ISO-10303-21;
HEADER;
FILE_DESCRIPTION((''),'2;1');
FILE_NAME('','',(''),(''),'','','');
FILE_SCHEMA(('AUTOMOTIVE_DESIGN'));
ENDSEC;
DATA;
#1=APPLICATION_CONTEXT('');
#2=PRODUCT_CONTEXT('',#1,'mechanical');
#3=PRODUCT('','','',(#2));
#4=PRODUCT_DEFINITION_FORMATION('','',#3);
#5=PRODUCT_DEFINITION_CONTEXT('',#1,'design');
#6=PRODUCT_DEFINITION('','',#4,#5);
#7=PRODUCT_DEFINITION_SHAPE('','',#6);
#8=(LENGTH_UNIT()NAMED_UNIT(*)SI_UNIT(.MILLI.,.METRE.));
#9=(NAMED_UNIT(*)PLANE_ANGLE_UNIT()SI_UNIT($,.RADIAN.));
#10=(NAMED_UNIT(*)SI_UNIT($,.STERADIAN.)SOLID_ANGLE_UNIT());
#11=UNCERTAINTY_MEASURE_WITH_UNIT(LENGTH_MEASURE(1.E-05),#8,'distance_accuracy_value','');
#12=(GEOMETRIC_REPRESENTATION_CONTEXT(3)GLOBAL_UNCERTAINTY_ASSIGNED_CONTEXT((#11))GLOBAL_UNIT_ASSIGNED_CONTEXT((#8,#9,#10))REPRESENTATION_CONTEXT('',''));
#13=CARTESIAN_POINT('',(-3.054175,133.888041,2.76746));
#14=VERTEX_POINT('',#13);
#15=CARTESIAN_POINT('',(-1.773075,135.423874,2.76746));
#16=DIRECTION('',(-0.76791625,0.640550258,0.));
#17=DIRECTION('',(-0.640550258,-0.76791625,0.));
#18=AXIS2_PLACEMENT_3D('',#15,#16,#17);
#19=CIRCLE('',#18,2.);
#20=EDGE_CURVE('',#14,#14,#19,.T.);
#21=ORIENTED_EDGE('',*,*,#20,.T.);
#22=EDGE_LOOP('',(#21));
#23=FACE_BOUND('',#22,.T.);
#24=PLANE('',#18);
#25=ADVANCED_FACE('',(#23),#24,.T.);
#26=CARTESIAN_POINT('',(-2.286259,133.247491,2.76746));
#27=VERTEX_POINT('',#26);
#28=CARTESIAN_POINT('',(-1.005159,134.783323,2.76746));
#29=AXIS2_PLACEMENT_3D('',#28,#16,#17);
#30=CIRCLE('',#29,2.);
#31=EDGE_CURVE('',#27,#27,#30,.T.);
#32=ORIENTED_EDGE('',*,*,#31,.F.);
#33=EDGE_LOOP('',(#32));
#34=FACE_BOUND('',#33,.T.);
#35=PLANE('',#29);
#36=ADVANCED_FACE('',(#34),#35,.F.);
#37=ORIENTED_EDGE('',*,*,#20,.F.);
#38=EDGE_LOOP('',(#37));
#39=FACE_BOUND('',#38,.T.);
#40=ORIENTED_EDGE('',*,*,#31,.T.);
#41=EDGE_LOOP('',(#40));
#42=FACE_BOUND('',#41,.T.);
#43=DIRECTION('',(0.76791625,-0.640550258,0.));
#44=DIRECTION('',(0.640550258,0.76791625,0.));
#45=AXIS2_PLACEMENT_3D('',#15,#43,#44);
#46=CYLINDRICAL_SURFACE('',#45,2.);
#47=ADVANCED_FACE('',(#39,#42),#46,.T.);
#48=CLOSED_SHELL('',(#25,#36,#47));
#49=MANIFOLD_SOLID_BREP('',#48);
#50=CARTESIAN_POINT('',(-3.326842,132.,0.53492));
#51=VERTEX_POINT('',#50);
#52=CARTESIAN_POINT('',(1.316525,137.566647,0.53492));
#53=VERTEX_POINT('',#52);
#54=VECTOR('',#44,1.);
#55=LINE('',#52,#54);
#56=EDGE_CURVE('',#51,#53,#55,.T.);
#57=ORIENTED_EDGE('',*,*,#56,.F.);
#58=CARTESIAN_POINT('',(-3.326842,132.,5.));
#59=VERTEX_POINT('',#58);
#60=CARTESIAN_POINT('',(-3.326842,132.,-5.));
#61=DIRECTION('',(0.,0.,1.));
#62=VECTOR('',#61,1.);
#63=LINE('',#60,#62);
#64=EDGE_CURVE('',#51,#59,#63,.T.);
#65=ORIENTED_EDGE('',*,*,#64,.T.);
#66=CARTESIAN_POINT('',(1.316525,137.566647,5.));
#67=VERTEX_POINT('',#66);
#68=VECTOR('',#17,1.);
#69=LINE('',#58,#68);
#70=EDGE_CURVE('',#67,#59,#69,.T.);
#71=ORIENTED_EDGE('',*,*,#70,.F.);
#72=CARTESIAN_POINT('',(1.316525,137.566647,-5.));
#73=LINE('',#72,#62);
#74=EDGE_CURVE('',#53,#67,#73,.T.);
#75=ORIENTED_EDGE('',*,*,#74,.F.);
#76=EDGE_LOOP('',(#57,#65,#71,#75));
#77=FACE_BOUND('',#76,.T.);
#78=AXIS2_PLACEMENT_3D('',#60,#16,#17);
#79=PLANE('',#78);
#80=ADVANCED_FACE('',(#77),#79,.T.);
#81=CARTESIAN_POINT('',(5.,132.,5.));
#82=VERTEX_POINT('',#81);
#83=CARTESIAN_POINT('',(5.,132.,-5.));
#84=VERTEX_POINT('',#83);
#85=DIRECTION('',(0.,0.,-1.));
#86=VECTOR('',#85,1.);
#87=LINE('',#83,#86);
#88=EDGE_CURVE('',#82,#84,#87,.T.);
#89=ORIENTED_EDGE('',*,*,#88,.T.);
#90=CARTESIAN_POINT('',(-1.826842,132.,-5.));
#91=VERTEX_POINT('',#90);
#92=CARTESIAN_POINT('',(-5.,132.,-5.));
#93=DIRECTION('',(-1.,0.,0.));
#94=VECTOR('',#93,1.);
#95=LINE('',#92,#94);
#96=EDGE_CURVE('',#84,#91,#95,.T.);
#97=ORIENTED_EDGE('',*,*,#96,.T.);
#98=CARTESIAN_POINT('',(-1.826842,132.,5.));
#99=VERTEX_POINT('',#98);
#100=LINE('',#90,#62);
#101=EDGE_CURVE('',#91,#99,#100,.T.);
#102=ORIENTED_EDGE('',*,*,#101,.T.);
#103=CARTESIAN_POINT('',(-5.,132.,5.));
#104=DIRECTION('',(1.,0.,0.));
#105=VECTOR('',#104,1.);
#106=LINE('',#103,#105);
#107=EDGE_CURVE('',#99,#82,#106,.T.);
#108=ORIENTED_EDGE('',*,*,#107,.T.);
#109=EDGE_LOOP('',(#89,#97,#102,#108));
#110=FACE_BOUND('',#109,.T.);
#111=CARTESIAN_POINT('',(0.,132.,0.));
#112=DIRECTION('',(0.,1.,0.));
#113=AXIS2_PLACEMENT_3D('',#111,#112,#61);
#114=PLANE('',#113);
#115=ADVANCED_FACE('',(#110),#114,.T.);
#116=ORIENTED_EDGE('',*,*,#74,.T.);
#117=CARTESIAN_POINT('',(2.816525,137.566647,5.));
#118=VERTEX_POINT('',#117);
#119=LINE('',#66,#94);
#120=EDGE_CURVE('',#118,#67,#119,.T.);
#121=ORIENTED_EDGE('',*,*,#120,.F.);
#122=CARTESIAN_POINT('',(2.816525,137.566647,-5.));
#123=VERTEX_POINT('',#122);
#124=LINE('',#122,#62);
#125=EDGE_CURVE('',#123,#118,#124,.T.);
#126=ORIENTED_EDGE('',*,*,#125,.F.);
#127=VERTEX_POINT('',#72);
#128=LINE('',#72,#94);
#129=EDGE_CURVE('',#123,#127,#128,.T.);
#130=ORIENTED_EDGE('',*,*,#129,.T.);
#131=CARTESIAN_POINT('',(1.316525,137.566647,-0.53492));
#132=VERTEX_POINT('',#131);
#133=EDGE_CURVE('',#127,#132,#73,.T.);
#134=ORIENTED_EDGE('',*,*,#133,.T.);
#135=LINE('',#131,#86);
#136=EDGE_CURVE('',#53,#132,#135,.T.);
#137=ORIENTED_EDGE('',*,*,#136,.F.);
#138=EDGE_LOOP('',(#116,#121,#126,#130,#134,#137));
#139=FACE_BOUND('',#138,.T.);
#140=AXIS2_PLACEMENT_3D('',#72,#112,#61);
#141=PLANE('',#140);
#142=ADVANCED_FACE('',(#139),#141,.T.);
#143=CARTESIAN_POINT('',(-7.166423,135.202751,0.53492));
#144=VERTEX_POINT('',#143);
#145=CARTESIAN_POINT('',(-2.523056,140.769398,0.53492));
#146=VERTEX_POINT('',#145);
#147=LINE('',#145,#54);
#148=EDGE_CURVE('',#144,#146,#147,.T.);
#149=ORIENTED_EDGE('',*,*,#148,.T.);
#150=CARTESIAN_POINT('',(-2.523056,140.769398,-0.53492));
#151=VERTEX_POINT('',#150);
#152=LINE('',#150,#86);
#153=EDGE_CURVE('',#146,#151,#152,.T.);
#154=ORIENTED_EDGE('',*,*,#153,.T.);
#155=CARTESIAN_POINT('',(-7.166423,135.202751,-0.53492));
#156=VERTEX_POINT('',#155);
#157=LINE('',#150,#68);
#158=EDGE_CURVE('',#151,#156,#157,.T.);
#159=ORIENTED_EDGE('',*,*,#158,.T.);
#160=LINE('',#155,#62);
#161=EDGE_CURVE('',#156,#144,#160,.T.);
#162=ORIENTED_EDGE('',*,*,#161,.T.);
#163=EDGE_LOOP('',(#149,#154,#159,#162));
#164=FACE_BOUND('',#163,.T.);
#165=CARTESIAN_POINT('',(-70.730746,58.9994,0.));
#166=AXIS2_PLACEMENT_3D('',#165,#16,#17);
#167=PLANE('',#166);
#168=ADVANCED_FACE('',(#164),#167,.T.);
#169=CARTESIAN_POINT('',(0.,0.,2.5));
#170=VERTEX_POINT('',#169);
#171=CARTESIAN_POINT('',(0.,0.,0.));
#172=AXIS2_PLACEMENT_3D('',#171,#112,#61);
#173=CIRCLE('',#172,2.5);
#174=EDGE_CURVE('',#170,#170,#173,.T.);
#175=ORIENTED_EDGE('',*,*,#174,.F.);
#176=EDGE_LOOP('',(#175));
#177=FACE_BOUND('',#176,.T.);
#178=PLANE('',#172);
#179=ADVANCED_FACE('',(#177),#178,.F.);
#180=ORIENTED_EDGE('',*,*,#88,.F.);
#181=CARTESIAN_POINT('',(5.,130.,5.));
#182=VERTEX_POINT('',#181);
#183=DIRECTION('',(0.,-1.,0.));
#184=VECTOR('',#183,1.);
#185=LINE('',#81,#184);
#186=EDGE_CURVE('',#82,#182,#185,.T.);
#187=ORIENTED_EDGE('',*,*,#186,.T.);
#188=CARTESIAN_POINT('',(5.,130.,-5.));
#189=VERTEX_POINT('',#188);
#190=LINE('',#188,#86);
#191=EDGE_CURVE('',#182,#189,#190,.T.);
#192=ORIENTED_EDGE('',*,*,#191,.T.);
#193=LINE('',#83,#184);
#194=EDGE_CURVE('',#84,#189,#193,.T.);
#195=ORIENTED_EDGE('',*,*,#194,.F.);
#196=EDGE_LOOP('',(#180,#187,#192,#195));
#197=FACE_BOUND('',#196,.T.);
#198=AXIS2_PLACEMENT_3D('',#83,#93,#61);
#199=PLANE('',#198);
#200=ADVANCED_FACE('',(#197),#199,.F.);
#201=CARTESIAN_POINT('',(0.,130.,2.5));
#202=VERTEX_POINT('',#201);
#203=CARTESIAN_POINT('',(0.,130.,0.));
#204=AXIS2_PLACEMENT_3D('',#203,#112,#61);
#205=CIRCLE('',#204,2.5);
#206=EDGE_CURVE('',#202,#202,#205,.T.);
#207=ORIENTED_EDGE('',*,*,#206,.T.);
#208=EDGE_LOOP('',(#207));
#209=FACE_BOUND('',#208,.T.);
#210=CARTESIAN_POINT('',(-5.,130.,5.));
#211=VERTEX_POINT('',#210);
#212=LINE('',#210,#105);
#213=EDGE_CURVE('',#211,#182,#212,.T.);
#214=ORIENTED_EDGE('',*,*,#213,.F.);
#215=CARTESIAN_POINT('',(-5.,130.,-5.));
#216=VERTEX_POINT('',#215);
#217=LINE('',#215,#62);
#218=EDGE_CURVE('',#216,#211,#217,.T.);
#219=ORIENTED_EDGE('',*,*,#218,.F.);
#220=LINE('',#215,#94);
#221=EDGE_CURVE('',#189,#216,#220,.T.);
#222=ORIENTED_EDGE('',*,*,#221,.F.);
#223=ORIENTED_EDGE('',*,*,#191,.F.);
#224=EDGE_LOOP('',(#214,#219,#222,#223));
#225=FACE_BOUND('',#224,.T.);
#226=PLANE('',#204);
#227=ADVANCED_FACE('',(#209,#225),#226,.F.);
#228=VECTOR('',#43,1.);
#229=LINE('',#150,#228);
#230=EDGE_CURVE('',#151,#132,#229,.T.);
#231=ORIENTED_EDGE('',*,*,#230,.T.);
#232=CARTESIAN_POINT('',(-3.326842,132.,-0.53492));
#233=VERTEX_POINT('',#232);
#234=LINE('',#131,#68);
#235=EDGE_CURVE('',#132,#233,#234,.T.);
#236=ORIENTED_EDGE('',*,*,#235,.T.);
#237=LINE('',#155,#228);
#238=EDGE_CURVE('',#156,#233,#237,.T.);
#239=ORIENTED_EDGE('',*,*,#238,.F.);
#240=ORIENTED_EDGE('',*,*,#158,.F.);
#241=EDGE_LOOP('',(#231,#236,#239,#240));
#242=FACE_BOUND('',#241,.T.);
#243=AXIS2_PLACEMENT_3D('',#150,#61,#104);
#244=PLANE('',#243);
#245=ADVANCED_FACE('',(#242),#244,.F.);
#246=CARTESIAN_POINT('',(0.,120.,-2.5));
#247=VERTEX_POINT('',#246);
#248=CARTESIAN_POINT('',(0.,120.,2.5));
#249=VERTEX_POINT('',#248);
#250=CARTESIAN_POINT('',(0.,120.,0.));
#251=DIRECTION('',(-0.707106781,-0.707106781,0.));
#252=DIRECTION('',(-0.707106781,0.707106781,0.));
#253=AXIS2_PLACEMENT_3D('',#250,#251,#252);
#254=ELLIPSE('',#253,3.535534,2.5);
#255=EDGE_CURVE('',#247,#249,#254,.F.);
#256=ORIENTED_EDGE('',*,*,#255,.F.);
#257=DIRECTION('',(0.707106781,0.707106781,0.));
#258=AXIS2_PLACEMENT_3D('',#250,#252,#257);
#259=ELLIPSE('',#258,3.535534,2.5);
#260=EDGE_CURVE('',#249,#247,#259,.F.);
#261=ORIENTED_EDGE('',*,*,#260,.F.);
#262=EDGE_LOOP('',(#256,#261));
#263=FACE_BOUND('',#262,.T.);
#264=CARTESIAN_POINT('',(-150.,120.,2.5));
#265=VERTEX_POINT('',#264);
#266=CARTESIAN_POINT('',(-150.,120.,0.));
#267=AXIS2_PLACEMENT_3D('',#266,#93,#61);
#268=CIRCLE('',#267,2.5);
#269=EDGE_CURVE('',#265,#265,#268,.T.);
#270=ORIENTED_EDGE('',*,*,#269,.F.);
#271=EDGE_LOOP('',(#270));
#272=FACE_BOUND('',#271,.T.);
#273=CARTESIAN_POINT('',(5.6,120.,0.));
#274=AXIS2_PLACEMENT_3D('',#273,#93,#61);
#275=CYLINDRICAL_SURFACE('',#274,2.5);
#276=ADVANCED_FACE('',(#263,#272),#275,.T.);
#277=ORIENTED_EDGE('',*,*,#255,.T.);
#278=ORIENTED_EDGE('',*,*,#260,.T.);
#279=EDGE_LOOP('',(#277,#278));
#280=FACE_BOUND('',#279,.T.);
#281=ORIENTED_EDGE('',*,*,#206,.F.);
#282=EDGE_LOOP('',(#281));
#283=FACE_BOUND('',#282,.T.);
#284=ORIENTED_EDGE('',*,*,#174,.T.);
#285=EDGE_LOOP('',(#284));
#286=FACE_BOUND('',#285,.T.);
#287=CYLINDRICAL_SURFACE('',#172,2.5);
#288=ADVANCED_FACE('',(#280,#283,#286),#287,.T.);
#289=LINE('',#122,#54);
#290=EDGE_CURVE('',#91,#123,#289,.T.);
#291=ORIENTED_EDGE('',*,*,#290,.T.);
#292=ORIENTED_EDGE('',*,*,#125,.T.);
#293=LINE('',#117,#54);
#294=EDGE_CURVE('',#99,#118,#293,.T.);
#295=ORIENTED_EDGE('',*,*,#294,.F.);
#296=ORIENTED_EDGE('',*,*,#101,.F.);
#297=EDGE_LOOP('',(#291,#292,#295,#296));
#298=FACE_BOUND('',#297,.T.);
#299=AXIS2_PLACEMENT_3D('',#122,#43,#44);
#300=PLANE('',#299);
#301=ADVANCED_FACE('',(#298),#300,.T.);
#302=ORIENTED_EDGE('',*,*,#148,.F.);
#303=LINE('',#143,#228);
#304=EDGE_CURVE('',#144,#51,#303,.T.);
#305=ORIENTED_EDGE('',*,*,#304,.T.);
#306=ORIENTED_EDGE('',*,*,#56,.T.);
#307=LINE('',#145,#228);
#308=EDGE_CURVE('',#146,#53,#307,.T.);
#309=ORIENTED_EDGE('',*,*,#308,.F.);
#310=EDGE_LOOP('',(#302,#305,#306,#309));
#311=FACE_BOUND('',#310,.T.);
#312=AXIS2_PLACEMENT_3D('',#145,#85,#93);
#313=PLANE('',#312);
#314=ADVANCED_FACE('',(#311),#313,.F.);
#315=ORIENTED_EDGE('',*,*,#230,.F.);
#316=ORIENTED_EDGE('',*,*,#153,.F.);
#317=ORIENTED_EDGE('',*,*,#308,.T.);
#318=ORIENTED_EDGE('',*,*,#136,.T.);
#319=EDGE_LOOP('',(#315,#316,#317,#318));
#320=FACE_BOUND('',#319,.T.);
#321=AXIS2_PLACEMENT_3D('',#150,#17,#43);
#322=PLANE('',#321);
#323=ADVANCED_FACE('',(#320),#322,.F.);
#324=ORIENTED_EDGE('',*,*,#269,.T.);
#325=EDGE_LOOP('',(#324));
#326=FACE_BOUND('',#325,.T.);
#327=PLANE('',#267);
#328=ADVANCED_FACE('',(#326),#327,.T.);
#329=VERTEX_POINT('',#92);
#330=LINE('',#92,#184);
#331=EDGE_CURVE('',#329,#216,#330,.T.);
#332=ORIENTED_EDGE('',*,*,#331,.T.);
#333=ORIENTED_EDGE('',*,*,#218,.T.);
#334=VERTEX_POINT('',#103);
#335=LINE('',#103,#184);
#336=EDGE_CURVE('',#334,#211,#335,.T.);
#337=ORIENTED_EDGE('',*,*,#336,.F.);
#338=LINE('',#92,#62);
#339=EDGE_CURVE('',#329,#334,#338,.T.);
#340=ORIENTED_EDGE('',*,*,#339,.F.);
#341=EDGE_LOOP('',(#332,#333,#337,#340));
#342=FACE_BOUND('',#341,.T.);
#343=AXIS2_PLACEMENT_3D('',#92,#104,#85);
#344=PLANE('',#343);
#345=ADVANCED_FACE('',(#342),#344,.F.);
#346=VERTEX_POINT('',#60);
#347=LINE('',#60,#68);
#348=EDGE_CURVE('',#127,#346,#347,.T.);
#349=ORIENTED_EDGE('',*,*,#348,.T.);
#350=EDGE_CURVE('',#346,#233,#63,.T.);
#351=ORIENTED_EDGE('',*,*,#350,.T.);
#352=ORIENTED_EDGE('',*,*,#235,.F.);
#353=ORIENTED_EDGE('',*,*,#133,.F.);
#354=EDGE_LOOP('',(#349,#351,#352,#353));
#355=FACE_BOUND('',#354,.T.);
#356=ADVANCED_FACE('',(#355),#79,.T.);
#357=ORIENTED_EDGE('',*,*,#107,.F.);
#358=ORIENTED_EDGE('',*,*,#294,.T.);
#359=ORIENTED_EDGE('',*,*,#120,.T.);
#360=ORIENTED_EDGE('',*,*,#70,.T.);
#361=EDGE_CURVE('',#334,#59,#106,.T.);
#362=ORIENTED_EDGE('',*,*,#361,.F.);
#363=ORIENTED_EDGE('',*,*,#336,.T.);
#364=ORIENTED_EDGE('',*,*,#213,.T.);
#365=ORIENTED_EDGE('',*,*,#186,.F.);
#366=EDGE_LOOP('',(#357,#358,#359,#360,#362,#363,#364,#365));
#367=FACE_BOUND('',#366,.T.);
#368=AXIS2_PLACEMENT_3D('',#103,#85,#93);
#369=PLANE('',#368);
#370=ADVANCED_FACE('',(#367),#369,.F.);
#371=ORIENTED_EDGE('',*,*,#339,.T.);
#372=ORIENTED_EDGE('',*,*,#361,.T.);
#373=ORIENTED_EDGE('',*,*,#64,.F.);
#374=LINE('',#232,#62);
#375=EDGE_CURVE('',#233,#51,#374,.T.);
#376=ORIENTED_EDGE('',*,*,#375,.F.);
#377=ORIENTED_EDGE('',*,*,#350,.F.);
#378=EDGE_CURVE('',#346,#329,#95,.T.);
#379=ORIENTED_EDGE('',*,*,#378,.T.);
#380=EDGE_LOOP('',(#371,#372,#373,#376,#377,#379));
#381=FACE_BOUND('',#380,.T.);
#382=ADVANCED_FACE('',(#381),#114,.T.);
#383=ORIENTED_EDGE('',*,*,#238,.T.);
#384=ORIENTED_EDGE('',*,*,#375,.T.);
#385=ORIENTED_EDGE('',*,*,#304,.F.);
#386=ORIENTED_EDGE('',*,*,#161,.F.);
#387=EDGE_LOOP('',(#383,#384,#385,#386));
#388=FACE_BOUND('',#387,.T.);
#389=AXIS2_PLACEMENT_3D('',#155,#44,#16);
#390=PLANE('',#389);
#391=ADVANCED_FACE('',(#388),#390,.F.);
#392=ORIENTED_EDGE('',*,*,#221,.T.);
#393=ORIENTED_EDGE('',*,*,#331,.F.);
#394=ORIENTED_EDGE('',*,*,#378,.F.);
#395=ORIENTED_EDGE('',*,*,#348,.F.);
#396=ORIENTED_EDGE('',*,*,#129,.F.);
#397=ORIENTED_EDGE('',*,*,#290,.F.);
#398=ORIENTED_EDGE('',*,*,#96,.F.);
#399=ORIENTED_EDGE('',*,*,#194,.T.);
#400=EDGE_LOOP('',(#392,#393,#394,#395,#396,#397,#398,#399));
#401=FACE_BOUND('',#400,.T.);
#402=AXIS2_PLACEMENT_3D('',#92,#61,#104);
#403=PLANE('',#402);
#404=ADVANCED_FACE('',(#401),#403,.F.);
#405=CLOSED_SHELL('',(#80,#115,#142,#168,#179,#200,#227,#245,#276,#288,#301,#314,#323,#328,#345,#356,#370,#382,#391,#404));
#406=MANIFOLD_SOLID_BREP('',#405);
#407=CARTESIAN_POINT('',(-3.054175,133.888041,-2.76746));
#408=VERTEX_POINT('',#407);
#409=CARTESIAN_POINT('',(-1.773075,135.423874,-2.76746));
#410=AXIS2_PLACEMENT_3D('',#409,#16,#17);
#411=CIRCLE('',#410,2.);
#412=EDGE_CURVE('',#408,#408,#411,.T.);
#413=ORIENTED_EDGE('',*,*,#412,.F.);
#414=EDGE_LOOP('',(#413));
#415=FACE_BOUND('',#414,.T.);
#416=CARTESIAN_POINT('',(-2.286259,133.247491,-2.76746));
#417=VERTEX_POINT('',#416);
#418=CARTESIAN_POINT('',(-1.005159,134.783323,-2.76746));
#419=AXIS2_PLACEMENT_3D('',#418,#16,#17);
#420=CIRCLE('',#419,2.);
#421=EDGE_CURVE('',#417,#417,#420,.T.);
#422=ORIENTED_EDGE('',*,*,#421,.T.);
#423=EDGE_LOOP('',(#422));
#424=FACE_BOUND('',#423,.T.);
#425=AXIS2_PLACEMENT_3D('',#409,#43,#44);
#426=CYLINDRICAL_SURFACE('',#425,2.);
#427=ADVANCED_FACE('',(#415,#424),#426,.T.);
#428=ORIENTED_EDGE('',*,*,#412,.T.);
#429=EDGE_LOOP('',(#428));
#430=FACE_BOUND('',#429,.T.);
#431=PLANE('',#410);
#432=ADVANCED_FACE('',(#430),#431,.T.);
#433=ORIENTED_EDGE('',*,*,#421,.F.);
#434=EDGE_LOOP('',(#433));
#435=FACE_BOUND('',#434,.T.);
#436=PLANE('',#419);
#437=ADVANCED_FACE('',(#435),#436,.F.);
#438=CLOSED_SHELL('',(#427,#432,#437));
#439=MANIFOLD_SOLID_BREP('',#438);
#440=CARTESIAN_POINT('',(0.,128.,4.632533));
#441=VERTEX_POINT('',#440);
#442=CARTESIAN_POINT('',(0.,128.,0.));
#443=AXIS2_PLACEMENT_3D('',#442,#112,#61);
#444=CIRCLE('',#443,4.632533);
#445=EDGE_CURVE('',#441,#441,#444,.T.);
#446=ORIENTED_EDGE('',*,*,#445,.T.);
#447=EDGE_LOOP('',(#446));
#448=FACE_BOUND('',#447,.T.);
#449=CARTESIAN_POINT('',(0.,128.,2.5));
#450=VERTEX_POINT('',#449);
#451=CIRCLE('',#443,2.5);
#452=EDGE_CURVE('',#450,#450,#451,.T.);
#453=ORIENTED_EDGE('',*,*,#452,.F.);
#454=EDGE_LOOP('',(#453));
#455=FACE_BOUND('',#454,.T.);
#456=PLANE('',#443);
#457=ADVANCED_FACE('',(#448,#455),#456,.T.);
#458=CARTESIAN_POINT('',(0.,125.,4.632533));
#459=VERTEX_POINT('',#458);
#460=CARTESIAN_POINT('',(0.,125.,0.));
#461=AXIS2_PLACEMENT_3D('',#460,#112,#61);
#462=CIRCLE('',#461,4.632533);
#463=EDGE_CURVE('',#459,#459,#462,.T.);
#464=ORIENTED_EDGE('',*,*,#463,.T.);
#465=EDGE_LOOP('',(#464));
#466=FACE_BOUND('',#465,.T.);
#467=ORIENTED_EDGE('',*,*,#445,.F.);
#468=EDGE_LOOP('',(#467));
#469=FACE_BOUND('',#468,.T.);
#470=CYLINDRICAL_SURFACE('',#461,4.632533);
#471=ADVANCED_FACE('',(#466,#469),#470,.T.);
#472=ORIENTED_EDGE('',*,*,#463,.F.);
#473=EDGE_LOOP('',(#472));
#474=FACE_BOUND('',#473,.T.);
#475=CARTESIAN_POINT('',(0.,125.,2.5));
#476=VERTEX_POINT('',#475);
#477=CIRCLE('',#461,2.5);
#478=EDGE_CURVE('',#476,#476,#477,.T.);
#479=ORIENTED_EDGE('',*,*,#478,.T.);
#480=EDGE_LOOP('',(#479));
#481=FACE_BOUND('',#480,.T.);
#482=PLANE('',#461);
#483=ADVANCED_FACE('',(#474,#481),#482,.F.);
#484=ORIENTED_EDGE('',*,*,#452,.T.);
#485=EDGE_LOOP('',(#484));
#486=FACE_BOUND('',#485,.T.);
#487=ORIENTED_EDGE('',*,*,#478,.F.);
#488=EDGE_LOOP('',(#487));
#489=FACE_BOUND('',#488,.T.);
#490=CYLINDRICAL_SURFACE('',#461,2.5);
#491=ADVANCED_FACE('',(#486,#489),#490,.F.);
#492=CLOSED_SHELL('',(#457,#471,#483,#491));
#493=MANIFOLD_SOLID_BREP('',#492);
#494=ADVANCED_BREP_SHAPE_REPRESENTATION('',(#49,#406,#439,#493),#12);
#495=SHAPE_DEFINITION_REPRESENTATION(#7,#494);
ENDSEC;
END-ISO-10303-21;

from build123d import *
from build123d.topology import SkipClean

# Parameters (mm, degrees)
SKETCH1_R           = 2.5
SKETCH3_R           = 2.5
BOSS_EXTRUDE1_DEPTH = 10
BOSS_EXTRUDE2_START = -2
SKETCH4_R           = 4.632532926
SKETCH4_R_2         = 2.5
BOSS_EXTRUDE2_DEPTH = 3
SKETCH5_W           = 10
SKETCH5_H           = 10
BOSS_EXTRUDE3_DEPTH = 2
BOSS_EXTRUDE4_DEPTH = 10
SKETCH7_W           = 1.069840708
SKETCH7_H           = 7.249028467
BOSS_EXTRUDE5_DEPTH = 5
SKETCH9_R           = 2
BOSS_EXTRUDE7_DEPTH = 1
SKETCH10_R          = 2
BOSS_EXTRUDE8_DEPTH = 1


with BuildPart() as part:
    # Sweep1: sweep along a path in Sketch2
    with BuildLine(Plane.XY) as sweep1_path:
        Line((0, 0), (0, 120))
        Line((0, 120), (-150, 120))
    # Sketch1 → Sweep1 (sweep)
    with BuildSketch(Plane(origin=(0, 0, 0), x_dir=(1, 0, 0), z_dir=(0, 1, 0))):
        Circle(SKETCH1_R)
    sweep(path=sweep1_path.line, transition=Transition.RIGHT)

    # Sketch3 → Boss-Extrude1 (add)
    with SkipClean():  # the faces are left unmerged after this step: merging them gives an invalid solid
        with BuildSketch(Plane(origin=(0, 130, 0), x_dir=(1, 0, 0), z_dir=(0, 1, 0))):
            with Locations(Location((0, 0, 0), (0, 0, 270))):
                Circle(SKETCH3_R)
        extrude(amount=-BOSS_EXTRUDE1_DEPTH)

    # Sketch5 → Boss-Extrude3 (add)
    with SkipClean():  # the faces are left unmerged after this step: merging them gives an invalid solid
        with BuildSketch(Plane(origin=(0, 130, 0), x_dir=(1, 0, 0), z_dir=(0, 1, 0))):
            Rectangle(SKETCH5_W, SKETCH5_H)
        extrude(amount=BOSS_EXTRUDE3_DEPTH)

    # Sketch6 → Boss-Extrude4 (add, through all)
    with SkipClean():  # the faces are left unmerged after this step: merging them gives an invalid solid
        with BuildSketch(Plane.XY.offset(5)):
            Polygon((-3.326842141, 132), (1.316524912, 137.566646758), (2.816524912, 137.566646758), (-1.826842141, 132), align=None)
        extrude(amount=-BOSS_EXTRUDE4_DEPTH)

    # Sketch7 → Boss-Extrude5 (add)
    with SkipClean():  # the faces are left unmerged after this step: merging them gives an invalid solid
        with BuildSketch(Plane(origin=(-66.891165059, 55.796648403, 0), x_dir=(0, 0, 1), z_dir=(-0.7679162502207892, 0.6405502577057027, 0))):
            with Locations((0, 102.858449672)):
                Rectangle(SKETCH7_W, SKETCH7_H)
        extrude(amount=BOSS_EXTRUDE5_DEPTH)


with BuildPart() as body_2:
    # Sketch4 → Boss-Extrude2 (new body)
    with BuildSketch(Plane(origin=(0, 130, 0), x_dir=(1, 0, 0), z_dir=(0, 1, 0)).offset(BOSS_EXTRUDE2_START)):
        with Locations(Location((0, 0, 0), (0, 0, 270))):
            Circle(SKETCH4_R)
        with Locations(Location((0, 0, 0), (0, 0, 270))):
            Circle(SKETCH4_R_2, mode=Mode.SUBTRACT)
    extrude(amount=-BOSS_EXTRUDE2_DEPTH)


with BuildPart() as body_3:
    # Sketch9 → Boss-Extrude7 (new body)
    with BuildSketch(Plane(origin=(-66.891165059, 55.796648403, 0), x_dir=(0, 0, 1), z_dir=(-0.7679162502207892, 0.6405502577057027, 0))):
        with Locations(Location((-2.767460177, 102.858449672, 0), (0, 0, 270))):
            Circle(SKETCH9_R)
    extrude(amount=BOSS_EXTRUDE7_DEPTH)


with BuildPart() as body_4:
    # Sketch10 → Boss-Extrude8 (new body)
    with BuildSketch(Plane(origin=(-66.891165059, 55.796648403, 0), x_dir=(0, 0, 1), z_dir=(-0.7679162502207892, 0.6405502577057027, 0))):
        with Locations(Location((2.767460177, 102.858449672, 0), (0, 0, 270))):
            Circle(SKETCH10_R)
    extrude(amount=BOSS_EXTRUDE8_DEPTH)


solid = Compound([part.part, body_2.part, body_3.part, body_4.part])
